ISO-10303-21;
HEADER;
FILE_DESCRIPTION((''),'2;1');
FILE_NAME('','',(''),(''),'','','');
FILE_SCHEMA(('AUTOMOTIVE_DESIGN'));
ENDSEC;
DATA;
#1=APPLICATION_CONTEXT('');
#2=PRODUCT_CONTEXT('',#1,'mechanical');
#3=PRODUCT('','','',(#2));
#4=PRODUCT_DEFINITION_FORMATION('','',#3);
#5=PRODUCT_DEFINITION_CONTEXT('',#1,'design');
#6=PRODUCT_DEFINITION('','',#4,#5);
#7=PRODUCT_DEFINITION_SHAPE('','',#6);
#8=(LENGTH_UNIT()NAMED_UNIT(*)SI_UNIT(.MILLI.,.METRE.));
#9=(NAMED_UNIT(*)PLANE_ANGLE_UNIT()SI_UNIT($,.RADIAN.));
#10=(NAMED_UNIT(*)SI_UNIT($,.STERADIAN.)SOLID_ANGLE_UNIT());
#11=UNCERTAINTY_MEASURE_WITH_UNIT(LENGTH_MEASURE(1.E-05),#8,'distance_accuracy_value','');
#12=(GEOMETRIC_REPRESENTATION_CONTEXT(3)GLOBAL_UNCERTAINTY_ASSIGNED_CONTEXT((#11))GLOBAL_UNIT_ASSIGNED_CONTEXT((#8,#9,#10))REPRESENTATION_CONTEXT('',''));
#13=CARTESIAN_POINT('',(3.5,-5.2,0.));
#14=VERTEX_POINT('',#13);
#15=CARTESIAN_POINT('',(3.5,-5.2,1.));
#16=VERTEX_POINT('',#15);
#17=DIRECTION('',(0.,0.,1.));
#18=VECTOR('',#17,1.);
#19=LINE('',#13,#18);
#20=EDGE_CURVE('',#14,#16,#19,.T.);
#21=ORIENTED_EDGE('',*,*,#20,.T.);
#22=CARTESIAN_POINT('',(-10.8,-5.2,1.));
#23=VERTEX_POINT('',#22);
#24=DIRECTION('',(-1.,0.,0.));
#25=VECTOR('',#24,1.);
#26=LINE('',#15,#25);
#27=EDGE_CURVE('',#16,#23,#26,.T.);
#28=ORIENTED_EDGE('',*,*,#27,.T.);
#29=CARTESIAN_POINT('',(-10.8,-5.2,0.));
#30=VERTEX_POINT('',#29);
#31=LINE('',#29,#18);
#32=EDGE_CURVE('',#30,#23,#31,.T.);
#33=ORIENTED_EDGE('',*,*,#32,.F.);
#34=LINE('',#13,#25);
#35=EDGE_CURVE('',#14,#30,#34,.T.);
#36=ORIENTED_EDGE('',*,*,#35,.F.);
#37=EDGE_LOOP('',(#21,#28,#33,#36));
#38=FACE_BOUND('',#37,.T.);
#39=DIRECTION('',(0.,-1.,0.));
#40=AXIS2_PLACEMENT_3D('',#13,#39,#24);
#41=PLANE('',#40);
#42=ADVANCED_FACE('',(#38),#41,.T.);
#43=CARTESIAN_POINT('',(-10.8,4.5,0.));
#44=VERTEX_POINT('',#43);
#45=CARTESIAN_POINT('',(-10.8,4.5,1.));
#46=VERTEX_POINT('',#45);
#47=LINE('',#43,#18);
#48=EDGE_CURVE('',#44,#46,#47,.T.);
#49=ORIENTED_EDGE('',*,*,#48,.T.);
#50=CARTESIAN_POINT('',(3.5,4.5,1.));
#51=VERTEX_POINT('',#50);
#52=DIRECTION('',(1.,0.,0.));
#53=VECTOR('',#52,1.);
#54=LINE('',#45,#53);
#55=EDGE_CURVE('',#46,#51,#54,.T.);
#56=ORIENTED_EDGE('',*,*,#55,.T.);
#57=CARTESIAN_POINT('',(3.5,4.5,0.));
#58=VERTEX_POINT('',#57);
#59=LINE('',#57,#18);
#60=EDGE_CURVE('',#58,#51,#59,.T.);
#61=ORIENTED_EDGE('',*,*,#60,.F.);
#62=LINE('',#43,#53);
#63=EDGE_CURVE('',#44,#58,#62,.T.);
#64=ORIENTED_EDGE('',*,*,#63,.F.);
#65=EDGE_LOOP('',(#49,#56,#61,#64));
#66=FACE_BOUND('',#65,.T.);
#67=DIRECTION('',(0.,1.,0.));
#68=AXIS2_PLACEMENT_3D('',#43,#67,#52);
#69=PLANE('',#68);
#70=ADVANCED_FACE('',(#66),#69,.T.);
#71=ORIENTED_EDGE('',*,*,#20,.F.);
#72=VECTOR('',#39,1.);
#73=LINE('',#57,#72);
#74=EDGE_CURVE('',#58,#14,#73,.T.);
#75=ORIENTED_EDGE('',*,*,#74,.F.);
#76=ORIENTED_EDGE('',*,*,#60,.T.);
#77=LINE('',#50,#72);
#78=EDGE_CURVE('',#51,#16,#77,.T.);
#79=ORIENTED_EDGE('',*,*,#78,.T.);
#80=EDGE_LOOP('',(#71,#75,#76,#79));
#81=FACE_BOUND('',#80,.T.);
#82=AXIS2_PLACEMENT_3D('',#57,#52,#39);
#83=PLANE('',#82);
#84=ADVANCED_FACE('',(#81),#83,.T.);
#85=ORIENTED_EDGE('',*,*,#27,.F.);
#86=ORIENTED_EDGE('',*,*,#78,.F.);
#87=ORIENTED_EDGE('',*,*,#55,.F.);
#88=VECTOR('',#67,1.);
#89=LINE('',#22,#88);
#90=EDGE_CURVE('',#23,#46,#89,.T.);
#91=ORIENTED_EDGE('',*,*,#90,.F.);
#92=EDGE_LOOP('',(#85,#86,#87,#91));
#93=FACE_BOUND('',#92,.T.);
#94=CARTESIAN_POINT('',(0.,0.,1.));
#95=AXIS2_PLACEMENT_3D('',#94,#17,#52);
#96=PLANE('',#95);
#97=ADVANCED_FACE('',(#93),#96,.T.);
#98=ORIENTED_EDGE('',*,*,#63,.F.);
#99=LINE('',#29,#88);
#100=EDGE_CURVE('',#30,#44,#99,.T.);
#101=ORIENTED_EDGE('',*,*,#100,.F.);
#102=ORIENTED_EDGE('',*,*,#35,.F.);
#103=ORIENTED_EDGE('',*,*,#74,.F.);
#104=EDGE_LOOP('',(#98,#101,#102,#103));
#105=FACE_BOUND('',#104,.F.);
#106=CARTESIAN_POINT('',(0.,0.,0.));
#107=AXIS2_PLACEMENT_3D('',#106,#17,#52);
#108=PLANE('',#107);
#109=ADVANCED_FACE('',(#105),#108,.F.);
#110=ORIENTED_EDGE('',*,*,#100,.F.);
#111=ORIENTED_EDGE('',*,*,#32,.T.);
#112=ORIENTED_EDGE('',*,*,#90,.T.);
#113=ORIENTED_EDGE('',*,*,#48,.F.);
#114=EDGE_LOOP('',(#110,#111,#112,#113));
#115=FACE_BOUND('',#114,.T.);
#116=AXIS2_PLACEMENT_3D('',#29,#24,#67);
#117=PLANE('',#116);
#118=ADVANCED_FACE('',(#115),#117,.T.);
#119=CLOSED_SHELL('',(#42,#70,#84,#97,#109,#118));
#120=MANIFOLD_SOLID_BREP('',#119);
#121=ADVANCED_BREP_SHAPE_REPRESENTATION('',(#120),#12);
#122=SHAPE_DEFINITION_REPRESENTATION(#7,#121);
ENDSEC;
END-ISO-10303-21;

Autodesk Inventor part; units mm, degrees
ref_plane "YZ Plane" through (0, 0, 0) normal (1, 0, 0) x (0, 1, 0)
ref_plane "XZ Plane" through (0, 0, 0) normal (0, 1, 0) x (-1, 0, 0)
ref_plane "XY Plane" through (0, 0, 0) normal (0, 0, 1) x (1, 0, 0)
sketch "SPC4077, J1_SPC4077_24" plane through (0, 0, 0) normal (0, 0, 1) x (1, 0, 0)
  line L0 (-10.8, 4.5) -> (3.5, 4.5)
  line L1 (3.5, 4.5) -> (3.5, -5.2)
  line L2 (3.5, -5.2) -> (-10.8, -5.2)
  line L3 (-10.8, -5.2) -> (-10.8, 4.5)
extrude "Extrusion1" add sketch "SPC4077, J1_SPC4077_24" along normal blind 1
properties part number "J1_SPC4077"
